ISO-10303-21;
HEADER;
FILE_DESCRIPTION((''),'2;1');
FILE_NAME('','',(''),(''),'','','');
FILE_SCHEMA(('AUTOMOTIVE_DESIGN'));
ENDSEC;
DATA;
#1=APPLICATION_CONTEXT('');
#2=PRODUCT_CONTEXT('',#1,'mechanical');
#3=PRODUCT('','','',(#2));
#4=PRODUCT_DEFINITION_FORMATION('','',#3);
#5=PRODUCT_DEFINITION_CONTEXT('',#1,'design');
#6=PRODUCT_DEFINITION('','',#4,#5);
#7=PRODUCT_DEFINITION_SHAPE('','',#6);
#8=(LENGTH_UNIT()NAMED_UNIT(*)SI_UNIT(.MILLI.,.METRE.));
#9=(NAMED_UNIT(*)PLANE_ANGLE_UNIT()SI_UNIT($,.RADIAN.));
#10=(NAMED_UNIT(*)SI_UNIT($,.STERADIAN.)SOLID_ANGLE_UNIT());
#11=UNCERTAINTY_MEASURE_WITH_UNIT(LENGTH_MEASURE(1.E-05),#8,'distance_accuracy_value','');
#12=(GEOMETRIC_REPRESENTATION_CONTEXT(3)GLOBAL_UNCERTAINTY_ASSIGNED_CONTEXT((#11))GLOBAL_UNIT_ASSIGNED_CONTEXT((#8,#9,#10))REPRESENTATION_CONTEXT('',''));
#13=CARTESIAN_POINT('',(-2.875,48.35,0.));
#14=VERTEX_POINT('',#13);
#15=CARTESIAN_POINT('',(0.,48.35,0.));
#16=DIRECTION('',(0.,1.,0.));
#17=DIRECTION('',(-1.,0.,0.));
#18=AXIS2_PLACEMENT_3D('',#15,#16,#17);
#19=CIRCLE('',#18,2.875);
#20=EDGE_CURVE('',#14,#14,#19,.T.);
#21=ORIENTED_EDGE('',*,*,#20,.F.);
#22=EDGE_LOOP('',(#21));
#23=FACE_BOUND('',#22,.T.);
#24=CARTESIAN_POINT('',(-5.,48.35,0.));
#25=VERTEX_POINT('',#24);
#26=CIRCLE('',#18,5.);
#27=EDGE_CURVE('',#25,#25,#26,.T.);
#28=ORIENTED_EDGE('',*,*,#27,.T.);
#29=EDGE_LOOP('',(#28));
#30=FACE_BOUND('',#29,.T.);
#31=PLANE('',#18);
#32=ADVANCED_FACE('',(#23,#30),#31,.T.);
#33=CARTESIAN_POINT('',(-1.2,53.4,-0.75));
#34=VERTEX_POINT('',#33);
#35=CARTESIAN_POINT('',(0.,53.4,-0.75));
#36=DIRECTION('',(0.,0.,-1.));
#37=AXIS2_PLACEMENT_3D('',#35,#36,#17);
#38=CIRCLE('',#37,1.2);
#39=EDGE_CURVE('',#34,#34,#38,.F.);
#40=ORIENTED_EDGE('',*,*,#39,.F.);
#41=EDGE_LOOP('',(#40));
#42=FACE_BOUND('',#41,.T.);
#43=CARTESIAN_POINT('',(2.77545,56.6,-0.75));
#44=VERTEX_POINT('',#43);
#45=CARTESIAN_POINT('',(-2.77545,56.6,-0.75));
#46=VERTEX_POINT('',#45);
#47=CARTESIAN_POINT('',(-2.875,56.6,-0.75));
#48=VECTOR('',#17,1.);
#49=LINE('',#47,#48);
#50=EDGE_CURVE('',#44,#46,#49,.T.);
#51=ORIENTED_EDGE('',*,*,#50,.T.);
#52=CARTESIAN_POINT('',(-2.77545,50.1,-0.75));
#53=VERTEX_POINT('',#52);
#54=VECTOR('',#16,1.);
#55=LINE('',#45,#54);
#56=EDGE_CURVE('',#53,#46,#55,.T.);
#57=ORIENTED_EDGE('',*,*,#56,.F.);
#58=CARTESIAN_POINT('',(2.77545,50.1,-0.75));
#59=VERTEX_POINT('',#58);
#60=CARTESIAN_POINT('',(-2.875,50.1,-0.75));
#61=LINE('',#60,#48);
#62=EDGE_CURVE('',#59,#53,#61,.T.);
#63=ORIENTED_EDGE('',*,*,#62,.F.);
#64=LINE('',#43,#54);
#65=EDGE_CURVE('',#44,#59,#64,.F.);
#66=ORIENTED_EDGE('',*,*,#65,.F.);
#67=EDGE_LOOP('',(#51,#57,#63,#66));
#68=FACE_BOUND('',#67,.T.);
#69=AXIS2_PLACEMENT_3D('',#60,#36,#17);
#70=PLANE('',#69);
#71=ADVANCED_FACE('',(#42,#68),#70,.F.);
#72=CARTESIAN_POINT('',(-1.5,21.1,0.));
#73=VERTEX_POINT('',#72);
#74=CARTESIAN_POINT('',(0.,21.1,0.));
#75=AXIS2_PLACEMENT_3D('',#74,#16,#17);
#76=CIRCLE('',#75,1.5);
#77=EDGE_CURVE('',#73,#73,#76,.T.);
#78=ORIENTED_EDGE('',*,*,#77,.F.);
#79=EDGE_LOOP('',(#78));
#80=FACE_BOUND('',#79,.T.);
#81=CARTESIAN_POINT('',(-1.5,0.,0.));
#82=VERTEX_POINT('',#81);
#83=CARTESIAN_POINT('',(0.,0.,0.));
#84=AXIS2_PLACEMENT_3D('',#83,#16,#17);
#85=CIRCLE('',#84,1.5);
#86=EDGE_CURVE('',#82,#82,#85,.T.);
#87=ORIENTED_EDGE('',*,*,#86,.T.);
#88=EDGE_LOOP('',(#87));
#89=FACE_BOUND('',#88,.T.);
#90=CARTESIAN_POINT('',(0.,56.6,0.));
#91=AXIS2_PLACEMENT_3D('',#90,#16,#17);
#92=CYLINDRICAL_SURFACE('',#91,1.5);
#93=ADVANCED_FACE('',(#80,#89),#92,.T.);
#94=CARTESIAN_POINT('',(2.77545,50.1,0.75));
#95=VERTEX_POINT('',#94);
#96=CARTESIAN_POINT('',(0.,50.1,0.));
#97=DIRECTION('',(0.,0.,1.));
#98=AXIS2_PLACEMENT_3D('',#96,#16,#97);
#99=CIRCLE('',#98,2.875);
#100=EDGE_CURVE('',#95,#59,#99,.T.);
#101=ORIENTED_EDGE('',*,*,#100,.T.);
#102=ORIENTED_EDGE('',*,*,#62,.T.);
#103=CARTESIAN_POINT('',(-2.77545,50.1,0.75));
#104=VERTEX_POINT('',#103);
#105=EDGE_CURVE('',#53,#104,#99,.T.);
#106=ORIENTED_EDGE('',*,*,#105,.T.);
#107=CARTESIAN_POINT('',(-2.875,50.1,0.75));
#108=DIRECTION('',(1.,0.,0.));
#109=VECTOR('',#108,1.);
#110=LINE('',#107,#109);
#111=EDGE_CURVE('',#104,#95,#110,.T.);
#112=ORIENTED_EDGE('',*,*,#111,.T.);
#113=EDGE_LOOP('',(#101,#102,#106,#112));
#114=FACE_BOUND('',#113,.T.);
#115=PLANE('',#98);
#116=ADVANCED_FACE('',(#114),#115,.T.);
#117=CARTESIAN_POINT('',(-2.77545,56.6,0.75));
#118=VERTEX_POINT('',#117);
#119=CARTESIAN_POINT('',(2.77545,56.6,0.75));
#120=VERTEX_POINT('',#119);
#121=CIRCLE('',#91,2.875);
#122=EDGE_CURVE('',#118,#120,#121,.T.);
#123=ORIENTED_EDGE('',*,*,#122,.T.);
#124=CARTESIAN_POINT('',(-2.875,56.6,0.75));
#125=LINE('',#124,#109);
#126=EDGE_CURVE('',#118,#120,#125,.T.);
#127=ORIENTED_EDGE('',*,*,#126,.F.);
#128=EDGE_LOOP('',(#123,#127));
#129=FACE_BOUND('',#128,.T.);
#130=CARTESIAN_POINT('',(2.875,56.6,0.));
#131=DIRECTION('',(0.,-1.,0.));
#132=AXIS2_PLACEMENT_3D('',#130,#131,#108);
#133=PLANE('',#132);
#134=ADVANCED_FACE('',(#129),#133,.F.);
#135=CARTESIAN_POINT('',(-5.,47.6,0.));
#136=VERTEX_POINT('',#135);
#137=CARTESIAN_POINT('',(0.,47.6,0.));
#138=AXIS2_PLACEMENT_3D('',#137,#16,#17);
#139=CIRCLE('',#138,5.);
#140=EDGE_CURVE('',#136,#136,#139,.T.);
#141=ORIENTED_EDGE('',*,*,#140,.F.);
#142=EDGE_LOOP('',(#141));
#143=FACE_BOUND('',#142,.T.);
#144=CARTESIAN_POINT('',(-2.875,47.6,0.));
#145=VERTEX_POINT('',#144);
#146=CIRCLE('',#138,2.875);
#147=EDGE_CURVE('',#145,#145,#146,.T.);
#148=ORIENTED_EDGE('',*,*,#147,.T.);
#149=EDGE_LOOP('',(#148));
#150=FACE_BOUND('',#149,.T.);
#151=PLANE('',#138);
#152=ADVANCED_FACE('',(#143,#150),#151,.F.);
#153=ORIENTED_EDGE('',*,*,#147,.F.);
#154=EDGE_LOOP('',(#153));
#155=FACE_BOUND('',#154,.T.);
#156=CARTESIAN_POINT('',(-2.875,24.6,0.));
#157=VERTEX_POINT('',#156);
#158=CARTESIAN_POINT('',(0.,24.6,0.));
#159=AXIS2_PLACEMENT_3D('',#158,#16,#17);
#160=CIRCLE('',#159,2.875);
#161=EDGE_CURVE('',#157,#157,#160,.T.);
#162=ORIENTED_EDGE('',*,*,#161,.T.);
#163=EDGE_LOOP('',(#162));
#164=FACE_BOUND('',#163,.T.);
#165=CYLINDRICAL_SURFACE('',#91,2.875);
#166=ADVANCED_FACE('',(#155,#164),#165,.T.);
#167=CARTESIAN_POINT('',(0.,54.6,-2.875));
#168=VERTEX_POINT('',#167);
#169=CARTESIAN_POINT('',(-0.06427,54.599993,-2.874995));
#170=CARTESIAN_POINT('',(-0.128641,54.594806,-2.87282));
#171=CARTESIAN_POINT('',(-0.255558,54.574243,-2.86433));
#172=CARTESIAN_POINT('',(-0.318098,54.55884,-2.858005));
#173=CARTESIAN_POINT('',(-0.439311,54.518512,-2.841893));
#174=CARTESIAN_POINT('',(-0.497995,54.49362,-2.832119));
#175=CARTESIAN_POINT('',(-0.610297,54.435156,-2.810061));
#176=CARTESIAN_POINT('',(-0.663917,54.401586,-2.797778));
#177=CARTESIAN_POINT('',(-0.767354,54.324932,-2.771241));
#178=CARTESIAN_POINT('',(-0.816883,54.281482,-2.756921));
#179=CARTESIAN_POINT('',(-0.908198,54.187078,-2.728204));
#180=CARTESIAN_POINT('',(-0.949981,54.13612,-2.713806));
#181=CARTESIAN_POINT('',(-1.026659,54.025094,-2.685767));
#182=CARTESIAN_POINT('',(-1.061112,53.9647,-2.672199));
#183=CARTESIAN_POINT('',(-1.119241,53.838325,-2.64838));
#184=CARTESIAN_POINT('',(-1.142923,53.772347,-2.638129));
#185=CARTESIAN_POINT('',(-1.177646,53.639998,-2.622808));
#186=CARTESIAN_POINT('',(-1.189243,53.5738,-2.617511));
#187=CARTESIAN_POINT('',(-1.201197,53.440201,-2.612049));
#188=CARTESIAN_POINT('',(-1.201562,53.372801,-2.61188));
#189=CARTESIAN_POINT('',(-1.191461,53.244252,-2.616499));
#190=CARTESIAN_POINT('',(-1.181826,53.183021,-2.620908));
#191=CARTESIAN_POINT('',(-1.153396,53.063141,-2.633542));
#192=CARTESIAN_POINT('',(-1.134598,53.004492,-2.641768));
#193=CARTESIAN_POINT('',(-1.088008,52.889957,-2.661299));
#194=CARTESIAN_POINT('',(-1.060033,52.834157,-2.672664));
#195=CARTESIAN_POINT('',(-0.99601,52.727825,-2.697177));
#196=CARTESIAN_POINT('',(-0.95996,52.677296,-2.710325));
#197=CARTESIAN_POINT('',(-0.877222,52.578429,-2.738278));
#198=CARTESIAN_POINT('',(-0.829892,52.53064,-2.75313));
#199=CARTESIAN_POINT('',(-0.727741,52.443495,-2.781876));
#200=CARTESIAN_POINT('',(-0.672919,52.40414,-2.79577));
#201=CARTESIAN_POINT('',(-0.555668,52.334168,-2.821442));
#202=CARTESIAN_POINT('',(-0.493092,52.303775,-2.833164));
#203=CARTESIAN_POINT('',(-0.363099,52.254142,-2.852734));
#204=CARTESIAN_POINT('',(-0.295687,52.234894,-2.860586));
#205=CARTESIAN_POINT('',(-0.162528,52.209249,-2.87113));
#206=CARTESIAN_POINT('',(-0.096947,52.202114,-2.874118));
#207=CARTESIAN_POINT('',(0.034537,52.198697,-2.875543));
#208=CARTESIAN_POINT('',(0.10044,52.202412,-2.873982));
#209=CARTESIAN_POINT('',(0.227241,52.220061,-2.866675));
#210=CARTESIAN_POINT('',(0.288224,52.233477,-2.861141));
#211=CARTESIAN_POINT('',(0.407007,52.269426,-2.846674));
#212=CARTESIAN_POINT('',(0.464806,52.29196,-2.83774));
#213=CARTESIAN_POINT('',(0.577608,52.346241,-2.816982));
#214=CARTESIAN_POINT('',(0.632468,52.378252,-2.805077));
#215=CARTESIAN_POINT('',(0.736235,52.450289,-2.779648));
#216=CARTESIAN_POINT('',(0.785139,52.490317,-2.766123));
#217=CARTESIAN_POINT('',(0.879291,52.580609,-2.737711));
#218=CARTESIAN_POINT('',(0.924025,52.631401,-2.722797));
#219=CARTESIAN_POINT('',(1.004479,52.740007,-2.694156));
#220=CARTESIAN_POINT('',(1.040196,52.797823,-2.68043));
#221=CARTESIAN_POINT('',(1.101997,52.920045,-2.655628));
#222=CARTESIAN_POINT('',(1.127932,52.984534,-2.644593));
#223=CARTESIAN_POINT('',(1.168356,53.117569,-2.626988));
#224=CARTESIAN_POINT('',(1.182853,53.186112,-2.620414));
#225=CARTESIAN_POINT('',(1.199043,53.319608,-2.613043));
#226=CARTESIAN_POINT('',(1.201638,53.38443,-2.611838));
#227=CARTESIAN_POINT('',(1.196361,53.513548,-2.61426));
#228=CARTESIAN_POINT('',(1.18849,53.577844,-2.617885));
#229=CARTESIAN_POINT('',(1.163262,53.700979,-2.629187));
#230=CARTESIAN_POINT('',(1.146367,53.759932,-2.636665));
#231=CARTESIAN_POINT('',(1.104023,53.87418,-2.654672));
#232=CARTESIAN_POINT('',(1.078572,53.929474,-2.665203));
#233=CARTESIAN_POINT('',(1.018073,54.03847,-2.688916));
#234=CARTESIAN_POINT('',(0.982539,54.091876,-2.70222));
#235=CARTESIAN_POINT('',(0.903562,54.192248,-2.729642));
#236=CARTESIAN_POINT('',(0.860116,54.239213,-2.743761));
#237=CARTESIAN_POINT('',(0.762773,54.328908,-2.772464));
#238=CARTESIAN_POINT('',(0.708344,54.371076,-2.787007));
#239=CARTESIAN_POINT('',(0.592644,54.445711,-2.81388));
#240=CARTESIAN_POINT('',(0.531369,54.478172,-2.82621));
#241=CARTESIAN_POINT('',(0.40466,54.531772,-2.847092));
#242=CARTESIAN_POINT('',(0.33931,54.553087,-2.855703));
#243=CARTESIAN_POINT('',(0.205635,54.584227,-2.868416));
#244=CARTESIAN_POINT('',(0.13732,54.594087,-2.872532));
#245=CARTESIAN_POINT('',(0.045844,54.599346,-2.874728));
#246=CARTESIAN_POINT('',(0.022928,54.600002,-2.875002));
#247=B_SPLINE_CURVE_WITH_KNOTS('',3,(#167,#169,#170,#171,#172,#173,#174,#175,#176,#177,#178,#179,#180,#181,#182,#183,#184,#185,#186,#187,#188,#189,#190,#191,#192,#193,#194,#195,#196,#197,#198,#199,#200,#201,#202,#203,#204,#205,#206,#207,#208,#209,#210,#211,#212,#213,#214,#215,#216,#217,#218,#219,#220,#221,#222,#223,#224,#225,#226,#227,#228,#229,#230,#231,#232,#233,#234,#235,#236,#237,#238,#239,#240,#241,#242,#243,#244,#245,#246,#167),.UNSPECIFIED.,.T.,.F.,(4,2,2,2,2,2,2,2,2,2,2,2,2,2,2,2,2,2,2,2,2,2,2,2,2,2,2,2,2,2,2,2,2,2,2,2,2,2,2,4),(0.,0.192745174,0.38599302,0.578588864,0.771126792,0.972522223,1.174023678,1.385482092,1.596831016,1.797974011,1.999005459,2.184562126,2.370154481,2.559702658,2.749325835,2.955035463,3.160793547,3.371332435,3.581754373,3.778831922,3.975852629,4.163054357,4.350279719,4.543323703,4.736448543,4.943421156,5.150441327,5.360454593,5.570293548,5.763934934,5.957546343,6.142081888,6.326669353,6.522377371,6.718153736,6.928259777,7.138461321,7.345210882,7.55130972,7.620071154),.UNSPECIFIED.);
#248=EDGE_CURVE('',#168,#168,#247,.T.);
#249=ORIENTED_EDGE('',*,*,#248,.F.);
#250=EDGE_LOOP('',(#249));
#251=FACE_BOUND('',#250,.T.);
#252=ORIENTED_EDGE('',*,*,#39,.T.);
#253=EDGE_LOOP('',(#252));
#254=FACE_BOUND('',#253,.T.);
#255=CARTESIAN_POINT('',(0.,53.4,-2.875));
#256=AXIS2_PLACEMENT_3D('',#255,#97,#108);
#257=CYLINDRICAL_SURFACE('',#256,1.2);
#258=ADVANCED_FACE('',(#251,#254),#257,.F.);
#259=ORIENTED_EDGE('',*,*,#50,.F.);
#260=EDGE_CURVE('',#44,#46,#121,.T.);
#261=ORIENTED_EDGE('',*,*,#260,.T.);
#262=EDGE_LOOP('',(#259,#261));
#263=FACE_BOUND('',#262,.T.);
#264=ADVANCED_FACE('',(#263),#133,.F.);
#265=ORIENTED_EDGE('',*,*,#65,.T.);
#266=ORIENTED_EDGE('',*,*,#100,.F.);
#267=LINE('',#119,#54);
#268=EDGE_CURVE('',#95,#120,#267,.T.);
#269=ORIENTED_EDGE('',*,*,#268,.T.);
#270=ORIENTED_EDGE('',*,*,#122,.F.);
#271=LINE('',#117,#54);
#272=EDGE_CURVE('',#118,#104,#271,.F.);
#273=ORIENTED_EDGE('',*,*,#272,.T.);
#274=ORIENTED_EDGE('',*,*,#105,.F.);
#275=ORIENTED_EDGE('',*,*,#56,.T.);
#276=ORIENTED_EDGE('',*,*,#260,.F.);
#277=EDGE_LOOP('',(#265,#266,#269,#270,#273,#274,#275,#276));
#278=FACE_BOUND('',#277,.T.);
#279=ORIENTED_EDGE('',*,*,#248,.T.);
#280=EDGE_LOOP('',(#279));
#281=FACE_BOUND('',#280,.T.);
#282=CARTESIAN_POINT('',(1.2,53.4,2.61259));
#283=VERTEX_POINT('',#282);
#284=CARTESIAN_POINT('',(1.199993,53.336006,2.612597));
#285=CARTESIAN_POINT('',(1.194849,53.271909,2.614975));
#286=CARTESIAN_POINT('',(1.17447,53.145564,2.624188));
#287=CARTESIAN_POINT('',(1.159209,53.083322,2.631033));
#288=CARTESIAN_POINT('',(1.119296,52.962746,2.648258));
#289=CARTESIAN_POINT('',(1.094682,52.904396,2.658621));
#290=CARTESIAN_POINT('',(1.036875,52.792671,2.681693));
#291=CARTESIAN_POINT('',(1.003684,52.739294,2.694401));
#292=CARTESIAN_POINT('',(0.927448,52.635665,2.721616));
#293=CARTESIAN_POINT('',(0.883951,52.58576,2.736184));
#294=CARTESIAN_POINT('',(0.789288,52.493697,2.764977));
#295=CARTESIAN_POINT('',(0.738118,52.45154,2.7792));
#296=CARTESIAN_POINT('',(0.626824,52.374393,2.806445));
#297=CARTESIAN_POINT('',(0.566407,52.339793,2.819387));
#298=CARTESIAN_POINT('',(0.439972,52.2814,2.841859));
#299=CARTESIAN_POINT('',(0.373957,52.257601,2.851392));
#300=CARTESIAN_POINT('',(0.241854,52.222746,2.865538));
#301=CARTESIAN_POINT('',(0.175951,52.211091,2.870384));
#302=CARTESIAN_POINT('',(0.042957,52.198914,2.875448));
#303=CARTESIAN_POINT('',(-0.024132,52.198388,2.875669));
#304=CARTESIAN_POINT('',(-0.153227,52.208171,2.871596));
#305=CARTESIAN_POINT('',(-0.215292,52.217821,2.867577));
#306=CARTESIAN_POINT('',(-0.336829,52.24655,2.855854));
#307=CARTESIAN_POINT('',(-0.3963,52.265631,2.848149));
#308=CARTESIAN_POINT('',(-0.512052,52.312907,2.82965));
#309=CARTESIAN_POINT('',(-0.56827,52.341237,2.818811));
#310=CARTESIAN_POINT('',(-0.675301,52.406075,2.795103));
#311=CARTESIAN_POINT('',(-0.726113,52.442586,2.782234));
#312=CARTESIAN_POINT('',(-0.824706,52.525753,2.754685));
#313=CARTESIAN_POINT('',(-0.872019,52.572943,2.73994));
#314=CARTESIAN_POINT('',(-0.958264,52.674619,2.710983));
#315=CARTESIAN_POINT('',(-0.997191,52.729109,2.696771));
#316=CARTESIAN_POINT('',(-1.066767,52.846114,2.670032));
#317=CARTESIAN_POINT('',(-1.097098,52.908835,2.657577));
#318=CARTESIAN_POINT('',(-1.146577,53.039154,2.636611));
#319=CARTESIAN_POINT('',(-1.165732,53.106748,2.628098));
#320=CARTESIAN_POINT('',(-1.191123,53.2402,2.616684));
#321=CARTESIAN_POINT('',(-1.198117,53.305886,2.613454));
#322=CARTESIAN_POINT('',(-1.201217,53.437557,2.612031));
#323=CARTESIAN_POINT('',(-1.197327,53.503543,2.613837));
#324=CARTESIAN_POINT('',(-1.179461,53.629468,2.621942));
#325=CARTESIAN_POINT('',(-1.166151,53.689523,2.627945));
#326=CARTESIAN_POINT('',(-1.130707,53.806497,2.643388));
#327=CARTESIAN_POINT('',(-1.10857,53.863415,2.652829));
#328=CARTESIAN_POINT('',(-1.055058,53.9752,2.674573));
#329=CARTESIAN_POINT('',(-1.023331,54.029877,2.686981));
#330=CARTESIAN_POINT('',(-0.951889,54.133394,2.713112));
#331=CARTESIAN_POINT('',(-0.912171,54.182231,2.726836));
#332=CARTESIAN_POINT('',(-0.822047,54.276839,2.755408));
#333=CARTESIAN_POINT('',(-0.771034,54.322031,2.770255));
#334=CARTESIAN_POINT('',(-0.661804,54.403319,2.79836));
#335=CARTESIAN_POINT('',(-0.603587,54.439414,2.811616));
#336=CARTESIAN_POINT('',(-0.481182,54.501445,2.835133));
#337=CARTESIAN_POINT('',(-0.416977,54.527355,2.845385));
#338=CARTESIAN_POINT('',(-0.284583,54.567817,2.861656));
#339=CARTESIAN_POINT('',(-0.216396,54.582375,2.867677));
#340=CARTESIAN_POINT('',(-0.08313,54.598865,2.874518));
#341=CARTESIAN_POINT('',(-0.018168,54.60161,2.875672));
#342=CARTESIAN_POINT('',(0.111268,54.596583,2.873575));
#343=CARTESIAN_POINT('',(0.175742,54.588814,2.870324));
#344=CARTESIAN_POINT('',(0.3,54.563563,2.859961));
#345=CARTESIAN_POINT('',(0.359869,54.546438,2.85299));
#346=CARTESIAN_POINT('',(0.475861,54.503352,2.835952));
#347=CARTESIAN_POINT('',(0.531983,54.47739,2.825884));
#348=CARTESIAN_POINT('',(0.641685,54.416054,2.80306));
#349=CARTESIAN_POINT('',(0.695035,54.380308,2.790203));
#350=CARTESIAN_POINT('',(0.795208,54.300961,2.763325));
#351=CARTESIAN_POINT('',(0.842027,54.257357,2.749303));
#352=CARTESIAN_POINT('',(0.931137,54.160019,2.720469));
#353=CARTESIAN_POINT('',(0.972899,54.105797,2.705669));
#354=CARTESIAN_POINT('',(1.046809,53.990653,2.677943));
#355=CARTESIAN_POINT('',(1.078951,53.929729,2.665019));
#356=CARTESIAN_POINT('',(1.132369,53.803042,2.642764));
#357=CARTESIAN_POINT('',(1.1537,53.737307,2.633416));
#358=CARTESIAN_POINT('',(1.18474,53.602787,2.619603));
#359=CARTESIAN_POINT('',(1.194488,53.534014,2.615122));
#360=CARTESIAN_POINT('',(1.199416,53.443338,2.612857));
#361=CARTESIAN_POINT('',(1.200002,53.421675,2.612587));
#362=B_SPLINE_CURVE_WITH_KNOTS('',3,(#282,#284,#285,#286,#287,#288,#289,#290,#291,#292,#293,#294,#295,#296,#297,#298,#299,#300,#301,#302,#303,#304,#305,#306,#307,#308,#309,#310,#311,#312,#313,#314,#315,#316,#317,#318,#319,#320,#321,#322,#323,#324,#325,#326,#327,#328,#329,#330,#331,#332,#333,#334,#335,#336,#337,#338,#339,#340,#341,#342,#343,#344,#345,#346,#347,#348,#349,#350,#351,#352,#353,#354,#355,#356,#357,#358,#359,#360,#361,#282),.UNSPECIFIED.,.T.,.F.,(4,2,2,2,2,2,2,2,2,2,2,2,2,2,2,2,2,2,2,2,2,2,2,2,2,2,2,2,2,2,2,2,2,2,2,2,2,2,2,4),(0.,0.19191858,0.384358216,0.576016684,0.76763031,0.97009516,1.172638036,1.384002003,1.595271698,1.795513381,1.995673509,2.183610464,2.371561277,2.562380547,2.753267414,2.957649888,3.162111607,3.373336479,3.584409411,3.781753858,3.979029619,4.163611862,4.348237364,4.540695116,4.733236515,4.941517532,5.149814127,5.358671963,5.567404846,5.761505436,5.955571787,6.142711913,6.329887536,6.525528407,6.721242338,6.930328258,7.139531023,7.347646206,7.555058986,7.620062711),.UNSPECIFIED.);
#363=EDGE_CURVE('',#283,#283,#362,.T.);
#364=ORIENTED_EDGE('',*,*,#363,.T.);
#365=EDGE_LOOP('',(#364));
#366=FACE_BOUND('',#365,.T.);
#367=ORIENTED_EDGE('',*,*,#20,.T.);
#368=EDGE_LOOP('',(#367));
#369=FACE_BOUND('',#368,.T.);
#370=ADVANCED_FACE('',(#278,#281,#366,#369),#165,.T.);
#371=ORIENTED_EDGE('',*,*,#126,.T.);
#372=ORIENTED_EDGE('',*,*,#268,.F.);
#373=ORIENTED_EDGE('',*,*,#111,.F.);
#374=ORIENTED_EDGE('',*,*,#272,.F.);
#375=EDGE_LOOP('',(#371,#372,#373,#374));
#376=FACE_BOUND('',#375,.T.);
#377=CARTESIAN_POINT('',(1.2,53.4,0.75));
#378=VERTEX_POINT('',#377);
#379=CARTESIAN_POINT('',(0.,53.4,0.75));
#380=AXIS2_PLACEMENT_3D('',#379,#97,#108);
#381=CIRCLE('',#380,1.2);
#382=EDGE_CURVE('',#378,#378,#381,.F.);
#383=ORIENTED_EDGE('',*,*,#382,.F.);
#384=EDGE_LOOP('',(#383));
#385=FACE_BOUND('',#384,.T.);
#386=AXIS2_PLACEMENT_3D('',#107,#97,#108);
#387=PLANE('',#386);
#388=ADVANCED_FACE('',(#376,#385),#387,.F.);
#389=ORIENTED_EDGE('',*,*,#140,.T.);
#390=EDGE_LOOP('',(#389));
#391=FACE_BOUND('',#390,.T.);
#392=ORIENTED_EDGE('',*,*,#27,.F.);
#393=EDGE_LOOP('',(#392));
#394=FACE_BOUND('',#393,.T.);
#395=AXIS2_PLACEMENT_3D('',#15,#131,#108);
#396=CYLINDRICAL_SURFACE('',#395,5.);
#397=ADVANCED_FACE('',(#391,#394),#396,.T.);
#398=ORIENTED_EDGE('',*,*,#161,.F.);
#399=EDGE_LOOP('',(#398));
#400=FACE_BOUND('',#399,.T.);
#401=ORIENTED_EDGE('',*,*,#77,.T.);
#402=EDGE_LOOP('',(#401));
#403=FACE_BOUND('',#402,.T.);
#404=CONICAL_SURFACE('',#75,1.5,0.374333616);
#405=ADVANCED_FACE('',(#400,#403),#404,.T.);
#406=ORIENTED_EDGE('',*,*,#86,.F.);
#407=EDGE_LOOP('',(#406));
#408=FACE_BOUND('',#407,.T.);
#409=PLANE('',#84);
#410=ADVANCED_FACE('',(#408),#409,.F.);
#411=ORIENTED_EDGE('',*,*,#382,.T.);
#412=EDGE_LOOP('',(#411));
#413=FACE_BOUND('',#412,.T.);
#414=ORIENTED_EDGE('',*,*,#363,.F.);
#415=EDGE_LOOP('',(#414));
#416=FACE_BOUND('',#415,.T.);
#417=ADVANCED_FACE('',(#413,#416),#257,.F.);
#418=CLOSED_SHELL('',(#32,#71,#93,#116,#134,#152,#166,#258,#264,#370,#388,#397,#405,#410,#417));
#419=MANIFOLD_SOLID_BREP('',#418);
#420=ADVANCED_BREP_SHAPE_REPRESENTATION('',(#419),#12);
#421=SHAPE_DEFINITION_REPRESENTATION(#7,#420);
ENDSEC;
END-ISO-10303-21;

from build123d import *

# Parameters (mm, degrees)
SKETCH2_R               = 1.2
CUT_EXTRUDE1_DEPTH      = 3.875
CUT_EXTRUDE1_DEPTH_BACK = 3.875
SKETCH3_W               = 5.75
SKETCH3_H               = 1.5
CUT_EXTRUDE2_DEPTH      = 6.5
SKETCH4_R               = 5
BOSS_EXTRUDE1_DEPTH     = 0.75


with BuildPart() as part:
    # Sketch1 → Revolve1 (revolve)
    with BuildSketch(Plane.XY):
        Polygon((0, 0), (1.5, 0), (1.5, 21.1), (2.875, 24.6), (2.875, 56.6), (0, 56.6), align=None)
    revolve(axis=Axis((0, 56.6, 0), (0, -1, 0)))

    # Sketch2 → Cut-Extrude1 (cut, two sides)
    with BuildSketch(Plane.XY) as cut_extrude1_sk:
        with Locations((0, 53.4)):
            Circle(SKETCH2_R)
    extrude(amount=CUT_EXTRUDE1_DEPTH, mode=Mode.SUBTRACT)
    extrude(cut_extrude1_sk.sketch, amount=-CUT_EXTRUDE1_DEPTH_BACK, mode=Mode.SUBTRACT)

    # Sketch3 → Cut-Extrude2 (cut)
    with BuildSketch(Plane(origin=(0, 56.6, 0), x_dir=(1, 0, 0), z_dir=(0, 1, 0))):
        Rectangle(SKETCH3_W, SKETCH3_H)
    extrude(amount=-CUT_EXTRUDE2_DEPTH, mode=Mode.SUBTRACT)

    # Sketch4 → Boss-Extrude1 (add)
    with BuildSketch(Plane(origin=(0, 47.6, 0), x_dir=(1, 0, 0), z_dir=(0, 1, 0))):
        Circle(SKETCH4_R)
    extrude(amount=BOSS_EXTRUDE1_DEPTH)


solid = part.part
